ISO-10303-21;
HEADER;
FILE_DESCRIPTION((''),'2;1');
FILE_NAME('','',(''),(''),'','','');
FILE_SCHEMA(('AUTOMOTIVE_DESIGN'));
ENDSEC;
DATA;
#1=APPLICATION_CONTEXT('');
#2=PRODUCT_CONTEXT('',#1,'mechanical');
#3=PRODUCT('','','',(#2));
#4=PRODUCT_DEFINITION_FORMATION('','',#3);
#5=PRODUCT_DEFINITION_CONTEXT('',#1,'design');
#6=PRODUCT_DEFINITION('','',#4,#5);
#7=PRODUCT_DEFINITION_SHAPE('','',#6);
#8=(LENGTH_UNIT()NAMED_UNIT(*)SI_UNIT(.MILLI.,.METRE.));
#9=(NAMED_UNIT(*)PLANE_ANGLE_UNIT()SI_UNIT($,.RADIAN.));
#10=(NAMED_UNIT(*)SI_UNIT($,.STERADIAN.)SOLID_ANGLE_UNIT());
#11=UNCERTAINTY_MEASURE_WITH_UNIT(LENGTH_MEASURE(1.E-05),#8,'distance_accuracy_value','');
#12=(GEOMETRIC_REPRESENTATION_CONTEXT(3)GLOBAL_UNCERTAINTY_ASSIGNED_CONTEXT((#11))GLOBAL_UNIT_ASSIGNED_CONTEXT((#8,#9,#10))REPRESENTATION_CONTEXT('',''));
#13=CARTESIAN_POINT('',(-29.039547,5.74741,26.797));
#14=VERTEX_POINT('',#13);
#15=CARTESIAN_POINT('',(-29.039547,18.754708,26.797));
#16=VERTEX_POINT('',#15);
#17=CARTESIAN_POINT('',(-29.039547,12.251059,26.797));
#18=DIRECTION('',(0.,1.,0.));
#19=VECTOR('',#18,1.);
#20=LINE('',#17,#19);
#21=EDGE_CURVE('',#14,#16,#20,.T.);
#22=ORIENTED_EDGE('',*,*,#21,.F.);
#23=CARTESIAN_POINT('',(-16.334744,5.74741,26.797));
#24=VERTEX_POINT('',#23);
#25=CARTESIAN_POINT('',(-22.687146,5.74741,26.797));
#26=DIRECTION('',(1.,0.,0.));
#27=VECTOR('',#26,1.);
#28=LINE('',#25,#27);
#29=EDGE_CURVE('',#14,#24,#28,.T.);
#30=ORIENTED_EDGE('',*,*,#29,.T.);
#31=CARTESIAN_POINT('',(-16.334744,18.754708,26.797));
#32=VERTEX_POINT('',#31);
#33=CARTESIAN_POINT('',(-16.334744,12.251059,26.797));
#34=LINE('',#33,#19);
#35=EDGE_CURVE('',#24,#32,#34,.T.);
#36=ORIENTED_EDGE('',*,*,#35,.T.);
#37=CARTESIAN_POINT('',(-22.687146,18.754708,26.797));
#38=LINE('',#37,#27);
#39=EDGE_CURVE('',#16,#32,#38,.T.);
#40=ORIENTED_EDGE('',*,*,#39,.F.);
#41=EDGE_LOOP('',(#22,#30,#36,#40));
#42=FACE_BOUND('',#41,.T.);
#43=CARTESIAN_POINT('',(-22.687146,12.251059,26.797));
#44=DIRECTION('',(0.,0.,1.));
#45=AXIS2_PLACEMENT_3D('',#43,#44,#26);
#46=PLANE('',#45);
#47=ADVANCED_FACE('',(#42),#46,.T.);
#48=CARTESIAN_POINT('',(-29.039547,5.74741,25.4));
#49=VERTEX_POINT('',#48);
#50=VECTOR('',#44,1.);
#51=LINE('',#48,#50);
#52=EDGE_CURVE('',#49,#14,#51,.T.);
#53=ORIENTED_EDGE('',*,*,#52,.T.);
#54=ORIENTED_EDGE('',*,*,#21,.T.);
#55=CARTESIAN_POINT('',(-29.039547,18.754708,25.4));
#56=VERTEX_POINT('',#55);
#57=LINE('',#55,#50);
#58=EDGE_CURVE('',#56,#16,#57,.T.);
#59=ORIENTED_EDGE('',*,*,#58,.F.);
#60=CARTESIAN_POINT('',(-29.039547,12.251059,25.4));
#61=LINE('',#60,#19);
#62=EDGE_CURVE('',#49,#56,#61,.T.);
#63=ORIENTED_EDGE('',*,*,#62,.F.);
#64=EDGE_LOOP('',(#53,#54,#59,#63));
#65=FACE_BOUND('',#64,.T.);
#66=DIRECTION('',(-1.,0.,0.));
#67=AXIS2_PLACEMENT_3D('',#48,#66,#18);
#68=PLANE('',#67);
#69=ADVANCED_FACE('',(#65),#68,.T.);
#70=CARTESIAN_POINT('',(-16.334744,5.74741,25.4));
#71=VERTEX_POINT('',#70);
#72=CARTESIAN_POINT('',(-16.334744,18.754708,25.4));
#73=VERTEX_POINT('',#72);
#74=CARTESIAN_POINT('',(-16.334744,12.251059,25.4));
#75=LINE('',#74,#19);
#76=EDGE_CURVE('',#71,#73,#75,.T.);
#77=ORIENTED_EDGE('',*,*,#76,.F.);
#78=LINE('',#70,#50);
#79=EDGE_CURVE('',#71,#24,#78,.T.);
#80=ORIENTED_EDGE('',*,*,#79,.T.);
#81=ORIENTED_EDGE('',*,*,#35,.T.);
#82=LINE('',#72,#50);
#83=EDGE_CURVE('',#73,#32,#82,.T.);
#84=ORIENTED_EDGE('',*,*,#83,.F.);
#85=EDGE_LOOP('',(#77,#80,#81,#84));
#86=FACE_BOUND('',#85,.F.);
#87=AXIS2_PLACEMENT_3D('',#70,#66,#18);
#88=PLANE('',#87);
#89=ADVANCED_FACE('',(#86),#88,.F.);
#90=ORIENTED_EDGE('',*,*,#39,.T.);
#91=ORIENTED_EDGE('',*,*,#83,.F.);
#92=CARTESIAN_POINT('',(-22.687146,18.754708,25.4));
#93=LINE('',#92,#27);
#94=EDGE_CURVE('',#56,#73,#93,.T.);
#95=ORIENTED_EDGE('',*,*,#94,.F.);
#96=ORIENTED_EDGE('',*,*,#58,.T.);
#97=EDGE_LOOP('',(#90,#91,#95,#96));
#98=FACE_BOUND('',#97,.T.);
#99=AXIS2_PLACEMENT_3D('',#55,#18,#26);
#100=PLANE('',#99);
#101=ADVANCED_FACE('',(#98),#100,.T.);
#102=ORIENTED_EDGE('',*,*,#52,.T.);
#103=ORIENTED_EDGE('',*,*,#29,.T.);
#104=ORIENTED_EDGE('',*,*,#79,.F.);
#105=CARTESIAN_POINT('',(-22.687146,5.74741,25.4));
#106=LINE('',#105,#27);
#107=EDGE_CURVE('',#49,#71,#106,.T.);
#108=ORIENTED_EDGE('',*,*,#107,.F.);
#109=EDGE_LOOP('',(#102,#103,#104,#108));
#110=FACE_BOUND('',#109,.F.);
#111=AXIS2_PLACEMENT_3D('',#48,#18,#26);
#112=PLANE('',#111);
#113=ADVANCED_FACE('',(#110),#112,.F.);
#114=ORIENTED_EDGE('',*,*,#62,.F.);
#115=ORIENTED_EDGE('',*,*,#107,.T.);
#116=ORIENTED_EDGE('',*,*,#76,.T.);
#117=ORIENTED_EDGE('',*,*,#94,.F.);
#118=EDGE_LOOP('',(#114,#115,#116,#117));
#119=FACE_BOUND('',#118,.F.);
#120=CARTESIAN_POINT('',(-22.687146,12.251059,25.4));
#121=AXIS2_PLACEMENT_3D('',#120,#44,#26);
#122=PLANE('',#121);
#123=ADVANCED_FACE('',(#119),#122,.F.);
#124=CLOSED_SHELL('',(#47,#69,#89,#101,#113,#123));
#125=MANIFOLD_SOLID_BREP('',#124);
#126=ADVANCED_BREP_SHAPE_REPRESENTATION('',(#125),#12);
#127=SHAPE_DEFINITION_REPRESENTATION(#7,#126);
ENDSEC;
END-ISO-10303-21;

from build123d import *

# Parameters (mm, degrees)
F0_W     = 12.704802677
F0_H     = 13.0072976463
F1_DEPTH = 1.397


with BuildPart() as f1:
    # F0 (on Top) → F1 (new body)
    with BuildSketch(Plane.XY):
        with Locations((-22.6871455088, 12.2510588262)):
            Rectangle(F0_W, F0_H)
    extrude(amount=F1_DEPTH)


with BuildPart() as f1_1:
    # F2: moved
    add(f1.part.moved(Location((0, 0, 25.4))))


solid = f1_1.part
